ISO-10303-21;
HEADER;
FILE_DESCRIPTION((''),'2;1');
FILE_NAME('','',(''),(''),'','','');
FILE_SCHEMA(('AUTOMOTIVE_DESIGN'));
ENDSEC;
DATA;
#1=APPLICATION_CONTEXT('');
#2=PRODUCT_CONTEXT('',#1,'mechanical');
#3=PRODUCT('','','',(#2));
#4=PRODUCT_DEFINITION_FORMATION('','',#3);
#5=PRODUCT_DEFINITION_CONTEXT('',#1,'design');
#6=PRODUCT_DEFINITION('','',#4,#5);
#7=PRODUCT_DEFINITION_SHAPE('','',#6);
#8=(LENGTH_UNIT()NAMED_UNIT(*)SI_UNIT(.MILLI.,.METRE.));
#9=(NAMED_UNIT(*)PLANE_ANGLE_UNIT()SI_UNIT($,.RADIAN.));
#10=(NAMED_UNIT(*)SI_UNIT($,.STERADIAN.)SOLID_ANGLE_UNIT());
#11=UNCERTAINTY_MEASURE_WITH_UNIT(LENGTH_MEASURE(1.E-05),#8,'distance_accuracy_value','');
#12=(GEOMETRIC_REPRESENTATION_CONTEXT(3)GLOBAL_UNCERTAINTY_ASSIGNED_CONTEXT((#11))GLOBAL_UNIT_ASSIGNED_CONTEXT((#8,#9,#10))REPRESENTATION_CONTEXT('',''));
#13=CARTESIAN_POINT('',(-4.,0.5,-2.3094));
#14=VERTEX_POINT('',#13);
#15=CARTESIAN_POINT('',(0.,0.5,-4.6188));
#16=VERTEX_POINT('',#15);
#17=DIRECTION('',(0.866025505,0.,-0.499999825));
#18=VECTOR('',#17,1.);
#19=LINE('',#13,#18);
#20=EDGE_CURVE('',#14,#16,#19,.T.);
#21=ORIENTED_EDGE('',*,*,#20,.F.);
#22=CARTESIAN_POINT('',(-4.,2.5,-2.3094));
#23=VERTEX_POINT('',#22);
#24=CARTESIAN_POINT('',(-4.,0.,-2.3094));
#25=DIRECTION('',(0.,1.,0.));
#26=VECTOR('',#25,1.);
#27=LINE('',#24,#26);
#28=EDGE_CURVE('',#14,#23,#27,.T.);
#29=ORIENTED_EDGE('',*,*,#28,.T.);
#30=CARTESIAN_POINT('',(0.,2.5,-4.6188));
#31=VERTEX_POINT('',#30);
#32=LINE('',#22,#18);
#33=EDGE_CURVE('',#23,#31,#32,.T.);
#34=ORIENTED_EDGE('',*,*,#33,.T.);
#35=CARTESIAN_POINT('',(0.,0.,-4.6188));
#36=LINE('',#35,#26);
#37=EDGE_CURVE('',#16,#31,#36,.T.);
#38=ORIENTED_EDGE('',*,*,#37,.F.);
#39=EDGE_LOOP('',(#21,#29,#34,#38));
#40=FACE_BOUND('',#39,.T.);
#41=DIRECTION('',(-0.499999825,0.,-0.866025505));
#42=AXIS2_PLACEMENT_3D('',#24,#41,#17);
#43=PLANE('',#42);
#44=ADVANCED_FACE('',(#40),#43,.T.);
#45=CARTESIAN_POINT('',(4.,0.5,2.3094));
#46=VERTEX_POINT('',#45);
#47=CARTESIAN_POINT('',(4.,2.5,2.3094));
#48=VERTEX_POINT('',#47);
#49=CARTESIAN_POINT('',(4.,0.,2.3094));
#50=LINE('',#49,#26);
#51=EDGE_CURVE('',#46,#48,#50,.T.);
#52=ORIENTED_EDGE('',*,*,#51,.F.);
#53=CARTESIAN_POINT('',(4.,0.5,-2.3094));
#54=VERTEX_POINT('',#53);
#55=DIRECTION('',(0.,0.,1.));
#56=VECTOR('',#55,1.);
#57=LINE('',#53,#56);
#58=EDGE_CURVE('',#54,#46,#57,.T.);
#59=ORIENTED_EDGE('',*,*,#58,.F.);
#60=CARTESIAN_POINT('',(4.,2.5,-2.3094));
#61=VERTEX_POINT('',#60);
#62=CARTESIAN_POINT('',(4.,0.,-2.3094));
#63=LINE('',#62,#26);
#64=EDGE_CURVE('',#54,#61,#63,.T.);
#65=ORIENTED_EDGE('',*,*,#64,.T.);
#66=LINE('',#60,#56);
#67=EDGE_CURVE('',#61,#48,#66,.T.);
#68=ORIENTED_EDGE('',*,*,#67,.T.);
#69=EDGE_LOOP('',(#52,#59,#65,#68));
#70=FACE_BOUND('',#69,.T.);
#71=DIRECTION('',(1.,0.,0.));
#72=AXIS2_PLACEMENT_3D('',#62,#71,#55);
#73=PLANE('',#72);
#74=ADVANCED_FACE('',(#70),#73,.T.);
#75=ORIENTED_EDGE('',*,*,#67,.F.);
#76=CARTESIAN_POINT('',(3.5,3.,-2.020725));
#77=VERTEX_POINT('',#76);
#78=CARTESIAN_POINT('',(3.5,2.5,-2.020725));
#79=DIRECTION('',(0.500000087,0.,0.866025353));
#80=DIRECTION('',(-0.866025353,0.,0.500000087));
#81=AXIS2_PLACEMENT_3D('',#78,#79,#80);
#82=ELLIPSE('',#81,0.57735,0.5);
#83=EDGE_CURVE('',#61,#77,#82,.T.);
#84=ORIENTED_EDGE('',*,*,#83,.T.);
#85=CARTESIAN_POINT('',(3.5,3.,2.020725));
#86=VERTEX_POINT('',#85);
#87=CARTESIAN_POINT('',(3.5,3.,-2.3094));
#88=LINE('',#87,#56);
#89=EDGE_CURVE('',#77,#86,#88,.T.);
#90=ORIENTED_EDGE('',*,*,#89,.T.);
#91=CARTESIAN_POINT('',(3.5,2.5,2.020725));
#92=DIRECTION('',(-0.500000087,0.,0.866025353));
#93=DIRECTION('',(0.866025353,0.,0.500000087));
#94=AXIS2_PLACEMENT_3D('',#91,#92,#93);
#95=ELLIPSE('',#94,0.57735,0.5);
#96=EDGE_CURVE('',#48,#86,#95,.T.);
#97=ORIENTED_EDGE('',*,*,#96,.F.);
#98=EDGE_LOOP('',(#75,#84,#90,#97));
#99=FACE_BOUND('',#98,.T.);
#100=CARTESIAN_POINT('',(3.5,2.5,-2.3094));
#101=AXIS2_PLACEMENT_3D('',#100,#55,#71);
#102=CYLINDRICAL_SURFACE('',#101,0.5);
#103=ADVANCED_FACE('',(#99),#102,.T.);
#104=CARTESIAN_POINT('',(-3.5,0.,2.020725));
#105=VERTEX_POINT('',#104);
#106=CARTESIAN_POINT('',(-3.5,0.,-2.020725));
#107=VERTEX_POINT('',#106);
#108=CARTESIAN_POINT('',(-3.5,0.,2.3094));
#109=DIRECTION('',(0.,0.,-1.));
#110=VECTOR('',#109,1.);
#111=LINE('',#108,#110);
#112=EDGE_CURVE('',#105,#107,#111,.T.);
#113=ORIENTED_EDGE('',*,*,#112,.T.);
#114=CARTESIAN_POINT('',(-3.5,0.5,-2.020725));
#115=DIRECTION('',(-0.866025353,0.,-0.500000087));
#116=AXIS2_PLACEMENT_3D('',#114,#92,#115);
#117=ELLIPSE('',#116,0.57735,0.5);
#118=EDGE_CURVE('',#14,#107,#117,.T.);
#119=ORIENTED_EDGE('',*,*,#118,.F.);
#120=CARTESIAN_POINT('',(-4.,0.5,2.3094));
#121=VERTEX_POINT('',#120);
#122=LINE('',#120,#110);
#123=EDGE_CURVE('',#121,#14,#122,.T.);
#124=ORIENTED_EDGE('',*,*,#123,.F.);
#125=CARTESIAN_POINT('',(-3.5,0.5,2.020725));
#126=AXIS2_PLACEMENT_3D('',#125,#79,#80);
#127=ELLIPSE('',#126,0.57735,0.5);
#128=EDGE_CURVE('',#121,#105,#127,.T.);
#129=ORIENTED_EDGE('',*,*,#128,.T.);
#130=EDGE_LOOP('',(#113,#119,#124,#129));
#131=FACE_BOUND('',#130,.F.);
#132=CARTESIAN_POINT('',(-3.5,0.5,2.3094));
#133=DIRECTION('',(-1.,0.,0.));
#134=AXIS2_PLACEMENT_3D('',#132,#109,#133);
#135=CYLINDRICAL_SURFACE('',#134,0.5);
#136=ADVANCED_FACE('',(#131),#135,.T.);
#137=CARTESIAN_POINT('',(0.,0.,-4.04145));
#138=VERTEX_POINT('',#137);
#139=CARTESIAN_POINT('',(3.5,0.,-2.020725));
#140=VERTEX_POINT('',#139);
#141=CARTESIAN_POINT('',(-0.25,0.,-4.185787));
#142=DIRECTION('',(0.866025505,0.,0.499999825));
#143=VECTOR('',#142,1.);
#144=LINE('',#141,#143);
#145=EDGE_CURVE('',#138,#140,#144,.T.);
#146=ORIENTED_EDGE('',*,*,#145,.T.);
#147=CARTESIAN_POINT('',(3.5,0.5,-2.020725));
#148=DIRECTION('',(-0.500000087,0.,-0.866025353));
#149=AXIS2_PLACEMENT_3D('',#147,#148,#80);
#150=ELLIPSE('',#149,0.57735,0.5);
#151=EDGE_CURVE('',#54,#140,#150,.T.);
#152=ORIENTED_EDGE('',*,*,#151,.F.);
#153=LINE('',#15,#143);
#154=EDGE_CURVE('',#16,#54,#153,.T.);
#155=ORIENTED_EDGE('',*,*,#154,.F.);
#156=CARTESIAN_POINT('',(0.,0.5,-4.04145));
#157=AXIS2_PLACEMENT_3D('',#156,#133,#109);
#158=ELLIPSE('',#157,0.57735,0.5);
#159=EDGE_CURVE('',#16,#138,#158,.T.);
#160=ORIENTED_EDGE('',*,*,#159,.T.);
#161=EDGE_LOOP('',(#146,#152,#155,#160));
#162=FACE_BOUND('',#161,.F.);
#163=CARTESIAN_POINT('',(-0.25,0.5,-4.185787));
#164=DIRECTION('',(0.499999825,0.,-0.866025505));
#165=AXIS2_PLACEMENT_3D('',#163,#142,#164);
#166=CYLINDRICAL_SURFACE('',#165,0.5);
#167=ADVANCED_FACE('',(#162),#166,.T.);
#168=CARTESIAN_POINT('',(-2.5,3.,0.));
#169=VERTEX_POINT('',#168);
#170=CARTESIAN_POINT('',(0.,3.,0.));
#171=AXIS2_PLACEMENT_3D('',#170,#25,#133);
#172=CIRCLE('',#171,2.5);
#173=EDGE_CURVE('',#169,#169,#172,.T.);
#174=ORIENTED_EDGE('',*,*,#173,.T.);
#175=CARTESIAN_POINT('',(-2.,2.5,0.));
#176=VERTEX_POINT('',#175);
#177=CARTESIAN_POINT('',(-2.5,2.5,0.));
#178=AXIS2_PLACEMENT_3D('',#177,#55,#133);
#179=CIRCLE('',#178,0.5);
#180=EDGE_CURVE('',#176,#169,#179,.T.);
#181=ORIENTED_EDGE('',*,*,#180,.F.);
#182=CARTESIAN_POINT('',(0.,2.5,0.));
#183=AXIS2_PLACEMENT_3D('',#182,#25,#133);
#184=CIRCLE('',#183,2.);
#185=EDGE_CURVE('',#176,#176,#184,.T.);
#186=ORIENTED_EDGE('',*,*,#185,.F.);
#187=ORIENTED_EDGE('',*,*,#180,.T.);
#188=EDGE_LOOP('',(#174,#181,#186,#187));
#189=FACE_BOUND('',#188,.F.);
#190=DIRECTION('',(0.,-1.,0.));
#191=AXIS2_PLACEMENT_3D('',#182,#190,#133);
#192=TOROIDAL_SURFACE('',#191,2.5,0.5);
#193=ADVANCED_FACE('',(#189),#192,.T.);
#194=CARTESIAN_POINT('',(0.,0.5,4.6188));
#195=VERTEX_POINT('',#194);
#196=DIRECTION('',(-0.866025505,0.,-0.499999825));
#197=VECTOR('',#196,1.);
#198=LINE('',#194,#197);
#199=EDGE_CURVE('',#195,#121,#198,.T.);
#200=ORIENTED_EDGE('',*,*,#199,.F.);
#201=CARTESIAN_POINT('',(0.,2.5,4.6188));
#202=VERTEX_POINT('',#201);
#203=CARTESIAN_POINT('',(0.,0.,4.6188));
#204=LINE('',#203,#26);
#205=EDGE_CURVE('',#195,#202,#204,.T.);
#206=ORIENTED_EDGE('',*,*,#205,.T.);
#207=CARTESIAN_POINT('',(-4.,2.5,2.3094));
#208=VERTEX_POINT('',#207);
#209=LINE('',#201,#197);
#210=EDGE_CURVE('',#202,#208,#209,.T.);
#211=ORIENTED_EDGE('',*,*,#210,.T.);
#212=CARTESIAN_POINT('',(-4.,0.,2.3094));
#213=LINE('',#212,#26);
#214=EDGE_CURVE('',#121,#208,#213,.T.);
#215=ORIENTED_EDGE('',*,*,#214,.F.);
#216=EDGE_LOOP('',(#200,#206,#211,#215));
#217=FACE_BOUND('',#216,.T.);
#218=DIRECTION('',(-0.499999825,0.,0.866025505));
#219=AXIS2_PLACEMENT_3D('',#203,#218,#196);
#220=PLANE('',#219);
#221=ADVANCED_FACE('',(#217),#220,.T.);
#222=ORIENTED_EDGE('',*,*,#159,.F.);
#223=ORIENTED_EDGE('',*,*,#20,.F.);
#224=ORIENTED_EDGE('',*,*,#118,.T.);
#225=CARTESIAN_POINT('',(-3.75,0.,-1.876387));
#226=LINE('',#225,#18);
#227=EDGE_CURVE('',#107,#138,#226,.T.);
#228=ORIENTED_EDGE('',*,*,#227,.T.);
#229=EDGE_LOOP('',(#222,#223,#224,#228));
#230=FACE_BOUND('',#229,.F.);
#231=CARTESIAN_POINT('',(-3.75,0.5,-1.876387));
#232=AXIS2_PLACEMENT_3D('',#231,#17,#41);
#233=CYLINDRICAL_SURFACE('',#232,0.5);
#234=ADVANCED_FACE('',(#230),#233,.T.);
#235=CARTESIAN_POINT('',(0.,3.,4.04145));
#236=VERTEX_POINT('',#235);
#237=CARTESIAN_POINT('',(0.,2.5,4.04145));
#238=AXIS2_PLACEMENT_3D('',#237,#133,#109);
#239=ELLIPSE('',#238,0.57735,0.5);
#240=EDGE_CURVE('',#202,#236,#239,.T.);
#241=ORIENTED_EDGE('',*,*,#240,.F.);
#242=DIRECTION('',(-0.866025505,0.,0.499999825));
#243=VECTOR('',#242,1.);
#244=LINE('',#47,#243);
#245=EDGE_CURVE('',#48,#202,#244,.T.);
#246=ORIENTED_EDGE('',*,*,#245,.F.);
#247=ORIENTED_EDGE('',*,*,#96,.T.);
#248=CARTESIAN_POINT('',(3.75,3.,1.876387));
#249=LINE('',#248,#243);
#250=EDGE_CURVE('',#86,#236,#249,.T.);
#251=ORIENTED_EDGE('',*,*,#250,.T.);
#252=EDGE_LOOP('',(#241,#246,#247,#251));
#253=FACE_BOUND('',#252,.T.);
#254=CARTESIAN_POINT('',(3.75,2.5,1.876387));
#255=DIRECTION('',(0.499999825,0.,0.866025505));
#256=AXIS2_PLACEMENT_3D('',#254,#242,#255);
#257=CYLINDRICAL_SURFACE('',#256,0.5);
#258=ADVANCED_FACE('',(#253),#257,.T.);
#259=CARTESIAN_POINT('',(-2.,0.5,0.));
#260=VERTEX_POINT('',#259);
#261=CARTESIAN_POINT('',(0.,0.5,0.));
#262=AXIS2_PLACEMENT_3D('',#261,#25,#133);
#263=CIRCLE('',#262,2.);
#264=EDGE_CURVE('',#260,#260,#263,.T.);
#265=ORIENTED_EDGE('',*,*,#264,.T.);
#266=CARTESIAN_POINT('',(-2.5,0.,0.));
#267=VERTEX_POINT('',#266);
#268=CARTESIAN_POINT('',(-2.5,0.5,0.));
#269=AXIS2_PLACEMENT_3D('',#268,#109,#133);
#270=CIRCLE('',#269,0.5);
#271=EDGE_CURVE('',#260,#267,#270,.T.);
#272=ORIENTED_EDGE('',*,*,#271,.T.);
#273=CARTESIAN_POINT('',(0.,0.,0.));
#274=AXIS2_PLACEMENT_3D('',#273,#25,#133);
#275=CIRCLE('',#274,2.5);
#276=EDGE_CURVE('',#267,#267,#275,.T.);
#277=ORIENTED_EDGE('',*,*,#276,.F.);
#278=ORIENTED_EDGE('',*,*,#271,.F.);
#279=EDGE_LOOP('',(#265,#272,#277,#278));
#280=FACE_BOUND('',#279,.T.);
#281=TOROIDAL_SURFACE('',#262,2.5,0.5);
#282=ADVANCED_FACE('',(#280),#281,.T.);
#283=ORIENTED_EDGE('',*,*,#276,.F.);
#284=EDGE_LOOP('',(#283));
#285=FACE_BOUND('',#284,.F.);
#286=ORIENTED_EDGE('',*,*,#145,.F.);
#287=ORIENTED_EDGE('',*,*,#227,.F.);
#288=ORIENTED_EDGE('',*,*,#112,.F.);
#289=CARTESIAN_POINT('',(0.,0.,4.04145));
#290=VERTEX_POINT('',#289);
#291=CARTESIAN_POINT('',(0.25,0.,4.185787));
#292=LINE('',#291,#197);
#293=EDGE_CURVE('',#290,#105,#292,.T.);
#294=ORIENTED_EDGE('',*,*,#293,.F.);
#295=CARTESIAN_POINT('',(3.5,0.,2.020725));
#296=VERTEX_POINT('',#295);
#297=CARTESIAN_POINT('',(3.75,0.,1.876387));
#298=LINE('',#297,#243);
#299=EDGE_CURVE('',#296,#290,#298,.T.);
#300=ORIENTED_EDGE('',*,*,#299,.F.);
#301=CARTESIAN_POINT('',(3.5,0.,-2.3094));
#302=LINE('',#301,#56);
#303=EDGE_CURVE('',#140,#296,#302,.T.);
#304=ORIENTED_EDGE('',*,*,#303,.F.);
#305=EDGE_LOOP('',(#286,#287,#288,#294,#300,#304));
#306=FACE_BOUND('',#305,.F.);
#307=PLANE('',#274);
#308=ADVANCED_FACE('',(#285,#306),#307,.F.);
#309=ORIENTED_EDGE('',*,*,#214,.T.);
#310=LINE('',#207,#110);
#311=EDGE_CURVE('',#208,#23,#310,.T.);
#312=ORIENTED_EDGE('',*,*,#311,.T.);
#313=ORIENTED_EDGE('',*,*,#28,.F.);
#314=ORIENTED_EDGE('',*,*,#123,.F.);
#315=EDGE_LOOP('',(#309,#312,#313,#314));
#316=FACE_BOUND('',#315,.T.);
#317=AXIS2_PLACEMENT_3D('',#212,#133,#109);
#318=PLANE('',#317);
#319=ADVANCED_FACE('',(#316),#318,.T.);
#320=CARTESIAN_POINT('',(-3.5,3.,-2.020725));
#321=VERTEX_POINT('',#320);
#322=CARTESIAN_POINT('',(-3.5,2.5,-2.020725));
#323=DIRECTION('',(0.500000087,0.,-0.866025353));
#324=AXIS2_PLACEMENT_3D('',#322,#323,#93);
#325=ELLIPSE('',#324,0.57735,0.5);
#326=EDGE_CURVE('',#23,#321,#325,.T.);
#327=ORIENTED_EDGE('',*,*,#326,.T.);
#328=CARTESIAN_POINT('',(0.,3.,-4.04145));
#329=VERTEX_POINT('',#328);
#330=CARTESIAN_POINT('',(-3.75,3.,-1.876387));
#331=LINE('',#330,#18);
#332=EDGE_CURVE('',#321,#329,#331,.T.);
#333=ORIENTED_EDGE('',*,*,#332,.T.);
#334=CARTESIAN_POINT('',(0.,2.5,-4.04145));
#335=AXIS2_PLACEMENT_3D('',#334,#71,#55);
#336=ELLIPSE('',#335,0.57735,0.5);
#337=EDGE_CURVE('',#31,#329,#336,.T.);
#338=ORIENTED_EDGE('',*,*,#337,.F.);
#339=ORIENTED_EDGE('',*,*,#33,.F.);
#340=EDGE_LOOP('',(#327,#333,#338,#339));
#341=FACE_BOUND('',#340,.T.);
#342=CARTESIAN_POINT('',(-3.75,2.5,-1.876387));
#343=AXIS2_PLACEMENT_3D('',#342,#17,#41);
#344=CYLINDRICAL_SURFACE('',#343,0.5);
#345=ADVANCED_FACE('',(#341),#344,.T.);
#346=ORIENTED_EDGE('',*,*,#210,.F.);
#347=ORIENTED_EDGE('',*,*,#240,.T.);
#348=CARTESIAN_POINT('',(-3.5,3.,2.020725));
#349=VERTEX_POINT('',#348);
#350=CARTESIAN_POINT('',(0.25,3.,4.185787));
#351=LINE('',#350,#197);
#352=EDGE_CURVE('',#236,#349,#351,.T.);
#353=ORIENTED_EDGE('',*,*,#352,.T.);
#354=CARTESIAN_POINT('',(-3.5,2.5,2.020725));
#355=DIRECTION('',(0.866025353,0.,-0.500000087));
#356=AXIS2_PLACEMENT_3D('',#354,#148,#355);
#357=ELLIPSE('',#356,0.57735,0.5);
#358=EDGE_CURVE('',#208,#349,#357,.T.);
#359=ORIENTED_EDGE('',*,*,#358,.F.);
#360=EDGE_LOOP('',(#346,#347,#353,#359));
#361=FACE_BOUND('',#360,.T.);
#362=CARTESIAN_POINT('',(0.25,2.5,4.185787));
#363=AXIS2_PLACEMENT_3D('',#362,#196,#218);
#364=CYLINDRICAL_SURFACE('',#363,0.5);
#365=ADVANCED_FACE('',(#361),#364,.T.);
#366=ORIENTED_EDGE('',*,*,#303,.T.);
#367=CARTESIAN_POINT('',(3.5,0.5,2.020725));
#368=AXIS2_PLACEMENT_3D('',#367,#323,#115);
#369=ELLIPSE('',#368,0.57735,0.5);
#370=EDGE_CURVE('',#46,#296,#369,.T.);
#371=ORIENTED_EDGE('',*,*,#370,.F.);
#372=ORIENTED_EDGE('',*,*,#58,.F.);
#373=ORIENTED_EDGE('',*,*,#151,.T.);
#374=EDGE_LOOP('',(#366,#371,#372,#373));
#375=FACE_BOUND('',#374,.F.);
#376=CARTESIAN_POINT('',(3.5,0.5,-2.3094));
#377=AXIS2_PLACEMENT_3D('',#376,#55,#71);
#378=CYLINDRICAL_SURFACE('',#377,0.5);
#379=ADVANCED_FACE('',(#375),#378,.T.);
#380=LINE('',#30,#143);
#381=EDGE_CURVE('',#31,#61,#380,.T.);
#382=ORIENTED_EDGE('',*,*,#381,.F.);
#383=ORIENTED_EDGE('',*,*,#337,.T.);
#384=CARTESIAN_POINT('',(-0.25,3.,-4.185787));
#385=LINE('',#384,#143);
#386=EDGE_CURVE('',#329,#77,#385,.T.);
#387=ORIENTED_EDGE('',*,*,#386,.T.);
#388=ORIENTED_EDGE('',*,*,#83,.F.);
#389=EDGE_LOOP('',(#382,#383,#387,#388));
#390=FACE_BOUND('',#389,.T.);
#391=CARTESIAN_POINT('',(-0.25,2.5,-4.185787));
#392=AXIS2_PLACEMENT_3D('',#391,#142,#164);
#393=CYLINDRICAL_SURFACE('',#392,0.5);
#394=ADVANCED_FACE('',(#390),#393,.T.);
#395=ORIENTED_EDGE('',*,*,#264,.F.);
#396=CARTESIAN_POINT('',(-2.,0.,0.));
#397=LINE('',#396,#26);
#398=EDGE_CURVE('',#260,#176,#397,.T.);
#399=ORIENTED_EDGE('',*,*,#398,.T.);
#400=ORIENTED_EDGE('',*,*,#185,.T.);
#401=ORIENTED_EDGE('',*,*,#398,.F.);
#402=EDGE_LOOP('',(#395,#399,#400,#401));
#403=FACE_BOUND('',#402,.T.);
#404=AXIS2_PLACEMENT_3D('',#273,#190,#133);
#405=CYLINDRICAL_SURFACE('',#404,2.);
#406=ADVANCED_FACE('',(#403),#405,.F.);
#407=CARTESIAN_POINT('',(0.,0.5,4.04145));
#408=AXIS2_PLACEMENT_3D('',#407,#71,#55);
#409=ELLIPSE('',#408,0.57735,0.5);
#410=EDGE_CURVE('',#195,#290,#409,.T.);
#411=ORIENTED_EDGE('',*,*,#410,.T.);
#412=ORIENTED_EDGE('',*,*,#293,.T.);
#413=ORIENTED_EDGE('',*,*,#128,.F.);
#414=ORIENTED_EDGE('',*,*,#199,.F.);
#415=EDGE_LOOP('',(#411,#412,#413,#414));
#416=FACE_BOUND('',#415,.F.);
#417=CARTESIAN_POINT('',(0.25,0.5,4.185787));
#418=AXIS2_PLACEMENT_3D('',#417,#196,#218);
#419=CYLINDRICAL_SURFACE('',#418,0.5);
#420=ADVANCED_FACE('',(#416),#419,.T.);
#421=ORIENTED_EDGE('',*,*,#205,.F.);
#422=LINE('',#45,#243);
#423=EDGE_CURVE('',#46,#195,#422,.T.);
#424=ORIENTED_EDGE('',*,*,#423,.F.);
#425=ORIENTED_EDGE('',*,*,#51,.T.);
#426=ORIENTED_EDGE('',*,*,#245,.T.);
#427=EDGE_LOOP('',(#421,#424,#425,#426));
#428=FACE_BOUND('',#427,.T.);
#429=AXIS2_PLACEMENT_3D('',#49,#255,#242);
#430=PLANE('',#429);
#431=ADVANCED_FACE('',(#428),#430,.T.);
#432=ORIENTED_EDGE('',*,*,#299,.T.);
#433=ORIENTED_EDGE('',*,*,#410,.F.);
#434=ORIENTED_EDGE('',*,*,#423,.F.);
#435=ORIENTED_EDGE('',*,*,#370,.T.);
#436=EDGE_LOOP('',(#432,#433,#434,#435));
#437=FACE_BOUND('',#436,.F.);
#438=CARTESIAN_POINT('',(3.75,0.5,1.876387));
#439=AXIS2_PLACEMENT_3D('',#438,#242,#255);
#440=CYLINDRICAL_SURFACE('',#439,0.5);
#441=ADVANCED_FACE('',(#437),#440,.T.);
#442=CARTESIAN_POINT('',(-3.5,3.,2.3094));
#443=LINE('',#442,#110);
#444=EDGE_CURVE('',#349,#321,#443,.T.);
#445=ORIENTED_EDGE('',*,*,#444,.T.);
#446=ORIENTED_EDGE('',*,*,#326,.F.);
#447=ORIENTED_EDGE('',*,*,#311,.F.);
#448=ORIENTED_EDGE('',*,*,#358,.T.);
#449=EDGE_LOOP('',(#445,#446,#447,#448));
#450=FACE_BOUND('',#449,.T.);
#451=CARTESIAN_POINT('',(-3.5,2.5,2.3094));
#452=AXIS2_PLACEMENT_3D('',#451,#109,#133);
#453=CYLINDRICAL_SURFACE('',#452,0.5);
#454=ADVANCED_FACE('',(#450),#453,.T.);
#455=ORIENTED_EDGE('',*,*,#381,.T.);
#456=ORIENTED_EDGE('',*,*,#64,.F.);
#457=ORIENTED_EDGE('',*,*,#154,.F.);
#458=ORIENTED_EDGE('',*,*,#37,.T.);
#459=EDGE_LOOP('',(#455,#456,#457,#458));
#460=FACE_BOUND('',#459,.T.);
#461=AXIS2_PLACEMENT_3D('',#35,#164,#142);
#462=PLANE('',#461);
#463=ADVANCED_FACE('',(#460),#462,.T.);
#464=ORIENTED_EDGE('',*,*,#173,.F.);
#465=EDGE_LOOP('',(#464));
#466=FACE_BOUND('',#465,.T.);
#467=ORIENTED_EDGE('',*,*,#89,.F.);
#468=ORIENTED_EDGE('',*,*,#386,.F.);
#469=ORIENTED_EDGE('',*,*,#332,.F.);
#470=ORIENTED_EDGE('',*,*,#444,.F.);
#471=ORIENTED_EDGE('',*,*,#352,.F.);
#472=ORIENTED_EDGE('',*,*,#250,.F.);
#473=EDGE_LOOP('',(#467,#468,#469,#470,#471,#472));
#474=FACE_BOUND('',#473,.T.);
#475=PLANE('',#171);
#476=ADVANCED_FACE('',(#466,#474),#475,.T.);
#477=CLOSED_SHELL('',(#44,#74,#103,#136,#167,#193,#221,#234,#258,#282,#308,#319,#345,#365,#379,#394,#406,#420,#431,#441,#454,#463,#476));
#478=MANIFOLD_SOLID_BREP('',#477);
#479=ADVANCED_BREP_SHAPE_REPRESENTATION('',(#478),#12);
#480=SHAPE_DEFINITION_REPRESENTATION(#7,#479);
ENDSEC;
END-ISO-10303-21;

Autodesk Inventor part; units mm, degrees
ref_plane "YZ Plane" through (0, 0, 0) normal (1, 0, 0) x (0, 1, 0)
ref_plane "XZ Plane" through (0, 0, 0) normal (0, 1, 0) x (-1, 0, 0)
ref_plane "XY Plane" through (0, 0, 0) normal (0, 0, 1) x (1, 0, 0)
sketch "Sketch1" plane through (0, 0, 0) normal (0, 1, 0) x (-1, 0, 0)
  line L0 (4, -2.3094) -> (0, -4.6188)
  line L1 (0, -4.6188) -> (-4, -2.3094)
  line L2 (-4, -2.3094) -> (-4, 2.3094)
  line L3 (-4, 2.3094) -> (0, 4.6188)
  line L4 (0, 4.6188) -> (4, 2.3094)
  line L5 (4, 2.3094) -> (4, -2.3094)
  circle A0 centre (0, 0) radius 2
  dimension "d0" = 4
  dimension "d4" = 4
extrude "Extrusion1" add sketch "Sketch1" along normal blind 3
fillet "Fillet1" radius 0.5 14 edges at (4, 3, 0) (2, 3, -3.4641) (-2, 3, -3.4641) (-4, 3, 0) (-2, 3, 3.4641) (2, 3, 3.4641) (2, 0, 3.4641) (-2, 0, 3.4641) (4, 0, 0) (-4, 0, 0) (-2, 0, -3.4641) (2, 0, -3.4641) (2, 3, 0) (2, 0, 0)
thread "Thread1" size "M4x0.7" class "6H" standard "ANSI Metric M Profile" full length
properties part number "Nut"
